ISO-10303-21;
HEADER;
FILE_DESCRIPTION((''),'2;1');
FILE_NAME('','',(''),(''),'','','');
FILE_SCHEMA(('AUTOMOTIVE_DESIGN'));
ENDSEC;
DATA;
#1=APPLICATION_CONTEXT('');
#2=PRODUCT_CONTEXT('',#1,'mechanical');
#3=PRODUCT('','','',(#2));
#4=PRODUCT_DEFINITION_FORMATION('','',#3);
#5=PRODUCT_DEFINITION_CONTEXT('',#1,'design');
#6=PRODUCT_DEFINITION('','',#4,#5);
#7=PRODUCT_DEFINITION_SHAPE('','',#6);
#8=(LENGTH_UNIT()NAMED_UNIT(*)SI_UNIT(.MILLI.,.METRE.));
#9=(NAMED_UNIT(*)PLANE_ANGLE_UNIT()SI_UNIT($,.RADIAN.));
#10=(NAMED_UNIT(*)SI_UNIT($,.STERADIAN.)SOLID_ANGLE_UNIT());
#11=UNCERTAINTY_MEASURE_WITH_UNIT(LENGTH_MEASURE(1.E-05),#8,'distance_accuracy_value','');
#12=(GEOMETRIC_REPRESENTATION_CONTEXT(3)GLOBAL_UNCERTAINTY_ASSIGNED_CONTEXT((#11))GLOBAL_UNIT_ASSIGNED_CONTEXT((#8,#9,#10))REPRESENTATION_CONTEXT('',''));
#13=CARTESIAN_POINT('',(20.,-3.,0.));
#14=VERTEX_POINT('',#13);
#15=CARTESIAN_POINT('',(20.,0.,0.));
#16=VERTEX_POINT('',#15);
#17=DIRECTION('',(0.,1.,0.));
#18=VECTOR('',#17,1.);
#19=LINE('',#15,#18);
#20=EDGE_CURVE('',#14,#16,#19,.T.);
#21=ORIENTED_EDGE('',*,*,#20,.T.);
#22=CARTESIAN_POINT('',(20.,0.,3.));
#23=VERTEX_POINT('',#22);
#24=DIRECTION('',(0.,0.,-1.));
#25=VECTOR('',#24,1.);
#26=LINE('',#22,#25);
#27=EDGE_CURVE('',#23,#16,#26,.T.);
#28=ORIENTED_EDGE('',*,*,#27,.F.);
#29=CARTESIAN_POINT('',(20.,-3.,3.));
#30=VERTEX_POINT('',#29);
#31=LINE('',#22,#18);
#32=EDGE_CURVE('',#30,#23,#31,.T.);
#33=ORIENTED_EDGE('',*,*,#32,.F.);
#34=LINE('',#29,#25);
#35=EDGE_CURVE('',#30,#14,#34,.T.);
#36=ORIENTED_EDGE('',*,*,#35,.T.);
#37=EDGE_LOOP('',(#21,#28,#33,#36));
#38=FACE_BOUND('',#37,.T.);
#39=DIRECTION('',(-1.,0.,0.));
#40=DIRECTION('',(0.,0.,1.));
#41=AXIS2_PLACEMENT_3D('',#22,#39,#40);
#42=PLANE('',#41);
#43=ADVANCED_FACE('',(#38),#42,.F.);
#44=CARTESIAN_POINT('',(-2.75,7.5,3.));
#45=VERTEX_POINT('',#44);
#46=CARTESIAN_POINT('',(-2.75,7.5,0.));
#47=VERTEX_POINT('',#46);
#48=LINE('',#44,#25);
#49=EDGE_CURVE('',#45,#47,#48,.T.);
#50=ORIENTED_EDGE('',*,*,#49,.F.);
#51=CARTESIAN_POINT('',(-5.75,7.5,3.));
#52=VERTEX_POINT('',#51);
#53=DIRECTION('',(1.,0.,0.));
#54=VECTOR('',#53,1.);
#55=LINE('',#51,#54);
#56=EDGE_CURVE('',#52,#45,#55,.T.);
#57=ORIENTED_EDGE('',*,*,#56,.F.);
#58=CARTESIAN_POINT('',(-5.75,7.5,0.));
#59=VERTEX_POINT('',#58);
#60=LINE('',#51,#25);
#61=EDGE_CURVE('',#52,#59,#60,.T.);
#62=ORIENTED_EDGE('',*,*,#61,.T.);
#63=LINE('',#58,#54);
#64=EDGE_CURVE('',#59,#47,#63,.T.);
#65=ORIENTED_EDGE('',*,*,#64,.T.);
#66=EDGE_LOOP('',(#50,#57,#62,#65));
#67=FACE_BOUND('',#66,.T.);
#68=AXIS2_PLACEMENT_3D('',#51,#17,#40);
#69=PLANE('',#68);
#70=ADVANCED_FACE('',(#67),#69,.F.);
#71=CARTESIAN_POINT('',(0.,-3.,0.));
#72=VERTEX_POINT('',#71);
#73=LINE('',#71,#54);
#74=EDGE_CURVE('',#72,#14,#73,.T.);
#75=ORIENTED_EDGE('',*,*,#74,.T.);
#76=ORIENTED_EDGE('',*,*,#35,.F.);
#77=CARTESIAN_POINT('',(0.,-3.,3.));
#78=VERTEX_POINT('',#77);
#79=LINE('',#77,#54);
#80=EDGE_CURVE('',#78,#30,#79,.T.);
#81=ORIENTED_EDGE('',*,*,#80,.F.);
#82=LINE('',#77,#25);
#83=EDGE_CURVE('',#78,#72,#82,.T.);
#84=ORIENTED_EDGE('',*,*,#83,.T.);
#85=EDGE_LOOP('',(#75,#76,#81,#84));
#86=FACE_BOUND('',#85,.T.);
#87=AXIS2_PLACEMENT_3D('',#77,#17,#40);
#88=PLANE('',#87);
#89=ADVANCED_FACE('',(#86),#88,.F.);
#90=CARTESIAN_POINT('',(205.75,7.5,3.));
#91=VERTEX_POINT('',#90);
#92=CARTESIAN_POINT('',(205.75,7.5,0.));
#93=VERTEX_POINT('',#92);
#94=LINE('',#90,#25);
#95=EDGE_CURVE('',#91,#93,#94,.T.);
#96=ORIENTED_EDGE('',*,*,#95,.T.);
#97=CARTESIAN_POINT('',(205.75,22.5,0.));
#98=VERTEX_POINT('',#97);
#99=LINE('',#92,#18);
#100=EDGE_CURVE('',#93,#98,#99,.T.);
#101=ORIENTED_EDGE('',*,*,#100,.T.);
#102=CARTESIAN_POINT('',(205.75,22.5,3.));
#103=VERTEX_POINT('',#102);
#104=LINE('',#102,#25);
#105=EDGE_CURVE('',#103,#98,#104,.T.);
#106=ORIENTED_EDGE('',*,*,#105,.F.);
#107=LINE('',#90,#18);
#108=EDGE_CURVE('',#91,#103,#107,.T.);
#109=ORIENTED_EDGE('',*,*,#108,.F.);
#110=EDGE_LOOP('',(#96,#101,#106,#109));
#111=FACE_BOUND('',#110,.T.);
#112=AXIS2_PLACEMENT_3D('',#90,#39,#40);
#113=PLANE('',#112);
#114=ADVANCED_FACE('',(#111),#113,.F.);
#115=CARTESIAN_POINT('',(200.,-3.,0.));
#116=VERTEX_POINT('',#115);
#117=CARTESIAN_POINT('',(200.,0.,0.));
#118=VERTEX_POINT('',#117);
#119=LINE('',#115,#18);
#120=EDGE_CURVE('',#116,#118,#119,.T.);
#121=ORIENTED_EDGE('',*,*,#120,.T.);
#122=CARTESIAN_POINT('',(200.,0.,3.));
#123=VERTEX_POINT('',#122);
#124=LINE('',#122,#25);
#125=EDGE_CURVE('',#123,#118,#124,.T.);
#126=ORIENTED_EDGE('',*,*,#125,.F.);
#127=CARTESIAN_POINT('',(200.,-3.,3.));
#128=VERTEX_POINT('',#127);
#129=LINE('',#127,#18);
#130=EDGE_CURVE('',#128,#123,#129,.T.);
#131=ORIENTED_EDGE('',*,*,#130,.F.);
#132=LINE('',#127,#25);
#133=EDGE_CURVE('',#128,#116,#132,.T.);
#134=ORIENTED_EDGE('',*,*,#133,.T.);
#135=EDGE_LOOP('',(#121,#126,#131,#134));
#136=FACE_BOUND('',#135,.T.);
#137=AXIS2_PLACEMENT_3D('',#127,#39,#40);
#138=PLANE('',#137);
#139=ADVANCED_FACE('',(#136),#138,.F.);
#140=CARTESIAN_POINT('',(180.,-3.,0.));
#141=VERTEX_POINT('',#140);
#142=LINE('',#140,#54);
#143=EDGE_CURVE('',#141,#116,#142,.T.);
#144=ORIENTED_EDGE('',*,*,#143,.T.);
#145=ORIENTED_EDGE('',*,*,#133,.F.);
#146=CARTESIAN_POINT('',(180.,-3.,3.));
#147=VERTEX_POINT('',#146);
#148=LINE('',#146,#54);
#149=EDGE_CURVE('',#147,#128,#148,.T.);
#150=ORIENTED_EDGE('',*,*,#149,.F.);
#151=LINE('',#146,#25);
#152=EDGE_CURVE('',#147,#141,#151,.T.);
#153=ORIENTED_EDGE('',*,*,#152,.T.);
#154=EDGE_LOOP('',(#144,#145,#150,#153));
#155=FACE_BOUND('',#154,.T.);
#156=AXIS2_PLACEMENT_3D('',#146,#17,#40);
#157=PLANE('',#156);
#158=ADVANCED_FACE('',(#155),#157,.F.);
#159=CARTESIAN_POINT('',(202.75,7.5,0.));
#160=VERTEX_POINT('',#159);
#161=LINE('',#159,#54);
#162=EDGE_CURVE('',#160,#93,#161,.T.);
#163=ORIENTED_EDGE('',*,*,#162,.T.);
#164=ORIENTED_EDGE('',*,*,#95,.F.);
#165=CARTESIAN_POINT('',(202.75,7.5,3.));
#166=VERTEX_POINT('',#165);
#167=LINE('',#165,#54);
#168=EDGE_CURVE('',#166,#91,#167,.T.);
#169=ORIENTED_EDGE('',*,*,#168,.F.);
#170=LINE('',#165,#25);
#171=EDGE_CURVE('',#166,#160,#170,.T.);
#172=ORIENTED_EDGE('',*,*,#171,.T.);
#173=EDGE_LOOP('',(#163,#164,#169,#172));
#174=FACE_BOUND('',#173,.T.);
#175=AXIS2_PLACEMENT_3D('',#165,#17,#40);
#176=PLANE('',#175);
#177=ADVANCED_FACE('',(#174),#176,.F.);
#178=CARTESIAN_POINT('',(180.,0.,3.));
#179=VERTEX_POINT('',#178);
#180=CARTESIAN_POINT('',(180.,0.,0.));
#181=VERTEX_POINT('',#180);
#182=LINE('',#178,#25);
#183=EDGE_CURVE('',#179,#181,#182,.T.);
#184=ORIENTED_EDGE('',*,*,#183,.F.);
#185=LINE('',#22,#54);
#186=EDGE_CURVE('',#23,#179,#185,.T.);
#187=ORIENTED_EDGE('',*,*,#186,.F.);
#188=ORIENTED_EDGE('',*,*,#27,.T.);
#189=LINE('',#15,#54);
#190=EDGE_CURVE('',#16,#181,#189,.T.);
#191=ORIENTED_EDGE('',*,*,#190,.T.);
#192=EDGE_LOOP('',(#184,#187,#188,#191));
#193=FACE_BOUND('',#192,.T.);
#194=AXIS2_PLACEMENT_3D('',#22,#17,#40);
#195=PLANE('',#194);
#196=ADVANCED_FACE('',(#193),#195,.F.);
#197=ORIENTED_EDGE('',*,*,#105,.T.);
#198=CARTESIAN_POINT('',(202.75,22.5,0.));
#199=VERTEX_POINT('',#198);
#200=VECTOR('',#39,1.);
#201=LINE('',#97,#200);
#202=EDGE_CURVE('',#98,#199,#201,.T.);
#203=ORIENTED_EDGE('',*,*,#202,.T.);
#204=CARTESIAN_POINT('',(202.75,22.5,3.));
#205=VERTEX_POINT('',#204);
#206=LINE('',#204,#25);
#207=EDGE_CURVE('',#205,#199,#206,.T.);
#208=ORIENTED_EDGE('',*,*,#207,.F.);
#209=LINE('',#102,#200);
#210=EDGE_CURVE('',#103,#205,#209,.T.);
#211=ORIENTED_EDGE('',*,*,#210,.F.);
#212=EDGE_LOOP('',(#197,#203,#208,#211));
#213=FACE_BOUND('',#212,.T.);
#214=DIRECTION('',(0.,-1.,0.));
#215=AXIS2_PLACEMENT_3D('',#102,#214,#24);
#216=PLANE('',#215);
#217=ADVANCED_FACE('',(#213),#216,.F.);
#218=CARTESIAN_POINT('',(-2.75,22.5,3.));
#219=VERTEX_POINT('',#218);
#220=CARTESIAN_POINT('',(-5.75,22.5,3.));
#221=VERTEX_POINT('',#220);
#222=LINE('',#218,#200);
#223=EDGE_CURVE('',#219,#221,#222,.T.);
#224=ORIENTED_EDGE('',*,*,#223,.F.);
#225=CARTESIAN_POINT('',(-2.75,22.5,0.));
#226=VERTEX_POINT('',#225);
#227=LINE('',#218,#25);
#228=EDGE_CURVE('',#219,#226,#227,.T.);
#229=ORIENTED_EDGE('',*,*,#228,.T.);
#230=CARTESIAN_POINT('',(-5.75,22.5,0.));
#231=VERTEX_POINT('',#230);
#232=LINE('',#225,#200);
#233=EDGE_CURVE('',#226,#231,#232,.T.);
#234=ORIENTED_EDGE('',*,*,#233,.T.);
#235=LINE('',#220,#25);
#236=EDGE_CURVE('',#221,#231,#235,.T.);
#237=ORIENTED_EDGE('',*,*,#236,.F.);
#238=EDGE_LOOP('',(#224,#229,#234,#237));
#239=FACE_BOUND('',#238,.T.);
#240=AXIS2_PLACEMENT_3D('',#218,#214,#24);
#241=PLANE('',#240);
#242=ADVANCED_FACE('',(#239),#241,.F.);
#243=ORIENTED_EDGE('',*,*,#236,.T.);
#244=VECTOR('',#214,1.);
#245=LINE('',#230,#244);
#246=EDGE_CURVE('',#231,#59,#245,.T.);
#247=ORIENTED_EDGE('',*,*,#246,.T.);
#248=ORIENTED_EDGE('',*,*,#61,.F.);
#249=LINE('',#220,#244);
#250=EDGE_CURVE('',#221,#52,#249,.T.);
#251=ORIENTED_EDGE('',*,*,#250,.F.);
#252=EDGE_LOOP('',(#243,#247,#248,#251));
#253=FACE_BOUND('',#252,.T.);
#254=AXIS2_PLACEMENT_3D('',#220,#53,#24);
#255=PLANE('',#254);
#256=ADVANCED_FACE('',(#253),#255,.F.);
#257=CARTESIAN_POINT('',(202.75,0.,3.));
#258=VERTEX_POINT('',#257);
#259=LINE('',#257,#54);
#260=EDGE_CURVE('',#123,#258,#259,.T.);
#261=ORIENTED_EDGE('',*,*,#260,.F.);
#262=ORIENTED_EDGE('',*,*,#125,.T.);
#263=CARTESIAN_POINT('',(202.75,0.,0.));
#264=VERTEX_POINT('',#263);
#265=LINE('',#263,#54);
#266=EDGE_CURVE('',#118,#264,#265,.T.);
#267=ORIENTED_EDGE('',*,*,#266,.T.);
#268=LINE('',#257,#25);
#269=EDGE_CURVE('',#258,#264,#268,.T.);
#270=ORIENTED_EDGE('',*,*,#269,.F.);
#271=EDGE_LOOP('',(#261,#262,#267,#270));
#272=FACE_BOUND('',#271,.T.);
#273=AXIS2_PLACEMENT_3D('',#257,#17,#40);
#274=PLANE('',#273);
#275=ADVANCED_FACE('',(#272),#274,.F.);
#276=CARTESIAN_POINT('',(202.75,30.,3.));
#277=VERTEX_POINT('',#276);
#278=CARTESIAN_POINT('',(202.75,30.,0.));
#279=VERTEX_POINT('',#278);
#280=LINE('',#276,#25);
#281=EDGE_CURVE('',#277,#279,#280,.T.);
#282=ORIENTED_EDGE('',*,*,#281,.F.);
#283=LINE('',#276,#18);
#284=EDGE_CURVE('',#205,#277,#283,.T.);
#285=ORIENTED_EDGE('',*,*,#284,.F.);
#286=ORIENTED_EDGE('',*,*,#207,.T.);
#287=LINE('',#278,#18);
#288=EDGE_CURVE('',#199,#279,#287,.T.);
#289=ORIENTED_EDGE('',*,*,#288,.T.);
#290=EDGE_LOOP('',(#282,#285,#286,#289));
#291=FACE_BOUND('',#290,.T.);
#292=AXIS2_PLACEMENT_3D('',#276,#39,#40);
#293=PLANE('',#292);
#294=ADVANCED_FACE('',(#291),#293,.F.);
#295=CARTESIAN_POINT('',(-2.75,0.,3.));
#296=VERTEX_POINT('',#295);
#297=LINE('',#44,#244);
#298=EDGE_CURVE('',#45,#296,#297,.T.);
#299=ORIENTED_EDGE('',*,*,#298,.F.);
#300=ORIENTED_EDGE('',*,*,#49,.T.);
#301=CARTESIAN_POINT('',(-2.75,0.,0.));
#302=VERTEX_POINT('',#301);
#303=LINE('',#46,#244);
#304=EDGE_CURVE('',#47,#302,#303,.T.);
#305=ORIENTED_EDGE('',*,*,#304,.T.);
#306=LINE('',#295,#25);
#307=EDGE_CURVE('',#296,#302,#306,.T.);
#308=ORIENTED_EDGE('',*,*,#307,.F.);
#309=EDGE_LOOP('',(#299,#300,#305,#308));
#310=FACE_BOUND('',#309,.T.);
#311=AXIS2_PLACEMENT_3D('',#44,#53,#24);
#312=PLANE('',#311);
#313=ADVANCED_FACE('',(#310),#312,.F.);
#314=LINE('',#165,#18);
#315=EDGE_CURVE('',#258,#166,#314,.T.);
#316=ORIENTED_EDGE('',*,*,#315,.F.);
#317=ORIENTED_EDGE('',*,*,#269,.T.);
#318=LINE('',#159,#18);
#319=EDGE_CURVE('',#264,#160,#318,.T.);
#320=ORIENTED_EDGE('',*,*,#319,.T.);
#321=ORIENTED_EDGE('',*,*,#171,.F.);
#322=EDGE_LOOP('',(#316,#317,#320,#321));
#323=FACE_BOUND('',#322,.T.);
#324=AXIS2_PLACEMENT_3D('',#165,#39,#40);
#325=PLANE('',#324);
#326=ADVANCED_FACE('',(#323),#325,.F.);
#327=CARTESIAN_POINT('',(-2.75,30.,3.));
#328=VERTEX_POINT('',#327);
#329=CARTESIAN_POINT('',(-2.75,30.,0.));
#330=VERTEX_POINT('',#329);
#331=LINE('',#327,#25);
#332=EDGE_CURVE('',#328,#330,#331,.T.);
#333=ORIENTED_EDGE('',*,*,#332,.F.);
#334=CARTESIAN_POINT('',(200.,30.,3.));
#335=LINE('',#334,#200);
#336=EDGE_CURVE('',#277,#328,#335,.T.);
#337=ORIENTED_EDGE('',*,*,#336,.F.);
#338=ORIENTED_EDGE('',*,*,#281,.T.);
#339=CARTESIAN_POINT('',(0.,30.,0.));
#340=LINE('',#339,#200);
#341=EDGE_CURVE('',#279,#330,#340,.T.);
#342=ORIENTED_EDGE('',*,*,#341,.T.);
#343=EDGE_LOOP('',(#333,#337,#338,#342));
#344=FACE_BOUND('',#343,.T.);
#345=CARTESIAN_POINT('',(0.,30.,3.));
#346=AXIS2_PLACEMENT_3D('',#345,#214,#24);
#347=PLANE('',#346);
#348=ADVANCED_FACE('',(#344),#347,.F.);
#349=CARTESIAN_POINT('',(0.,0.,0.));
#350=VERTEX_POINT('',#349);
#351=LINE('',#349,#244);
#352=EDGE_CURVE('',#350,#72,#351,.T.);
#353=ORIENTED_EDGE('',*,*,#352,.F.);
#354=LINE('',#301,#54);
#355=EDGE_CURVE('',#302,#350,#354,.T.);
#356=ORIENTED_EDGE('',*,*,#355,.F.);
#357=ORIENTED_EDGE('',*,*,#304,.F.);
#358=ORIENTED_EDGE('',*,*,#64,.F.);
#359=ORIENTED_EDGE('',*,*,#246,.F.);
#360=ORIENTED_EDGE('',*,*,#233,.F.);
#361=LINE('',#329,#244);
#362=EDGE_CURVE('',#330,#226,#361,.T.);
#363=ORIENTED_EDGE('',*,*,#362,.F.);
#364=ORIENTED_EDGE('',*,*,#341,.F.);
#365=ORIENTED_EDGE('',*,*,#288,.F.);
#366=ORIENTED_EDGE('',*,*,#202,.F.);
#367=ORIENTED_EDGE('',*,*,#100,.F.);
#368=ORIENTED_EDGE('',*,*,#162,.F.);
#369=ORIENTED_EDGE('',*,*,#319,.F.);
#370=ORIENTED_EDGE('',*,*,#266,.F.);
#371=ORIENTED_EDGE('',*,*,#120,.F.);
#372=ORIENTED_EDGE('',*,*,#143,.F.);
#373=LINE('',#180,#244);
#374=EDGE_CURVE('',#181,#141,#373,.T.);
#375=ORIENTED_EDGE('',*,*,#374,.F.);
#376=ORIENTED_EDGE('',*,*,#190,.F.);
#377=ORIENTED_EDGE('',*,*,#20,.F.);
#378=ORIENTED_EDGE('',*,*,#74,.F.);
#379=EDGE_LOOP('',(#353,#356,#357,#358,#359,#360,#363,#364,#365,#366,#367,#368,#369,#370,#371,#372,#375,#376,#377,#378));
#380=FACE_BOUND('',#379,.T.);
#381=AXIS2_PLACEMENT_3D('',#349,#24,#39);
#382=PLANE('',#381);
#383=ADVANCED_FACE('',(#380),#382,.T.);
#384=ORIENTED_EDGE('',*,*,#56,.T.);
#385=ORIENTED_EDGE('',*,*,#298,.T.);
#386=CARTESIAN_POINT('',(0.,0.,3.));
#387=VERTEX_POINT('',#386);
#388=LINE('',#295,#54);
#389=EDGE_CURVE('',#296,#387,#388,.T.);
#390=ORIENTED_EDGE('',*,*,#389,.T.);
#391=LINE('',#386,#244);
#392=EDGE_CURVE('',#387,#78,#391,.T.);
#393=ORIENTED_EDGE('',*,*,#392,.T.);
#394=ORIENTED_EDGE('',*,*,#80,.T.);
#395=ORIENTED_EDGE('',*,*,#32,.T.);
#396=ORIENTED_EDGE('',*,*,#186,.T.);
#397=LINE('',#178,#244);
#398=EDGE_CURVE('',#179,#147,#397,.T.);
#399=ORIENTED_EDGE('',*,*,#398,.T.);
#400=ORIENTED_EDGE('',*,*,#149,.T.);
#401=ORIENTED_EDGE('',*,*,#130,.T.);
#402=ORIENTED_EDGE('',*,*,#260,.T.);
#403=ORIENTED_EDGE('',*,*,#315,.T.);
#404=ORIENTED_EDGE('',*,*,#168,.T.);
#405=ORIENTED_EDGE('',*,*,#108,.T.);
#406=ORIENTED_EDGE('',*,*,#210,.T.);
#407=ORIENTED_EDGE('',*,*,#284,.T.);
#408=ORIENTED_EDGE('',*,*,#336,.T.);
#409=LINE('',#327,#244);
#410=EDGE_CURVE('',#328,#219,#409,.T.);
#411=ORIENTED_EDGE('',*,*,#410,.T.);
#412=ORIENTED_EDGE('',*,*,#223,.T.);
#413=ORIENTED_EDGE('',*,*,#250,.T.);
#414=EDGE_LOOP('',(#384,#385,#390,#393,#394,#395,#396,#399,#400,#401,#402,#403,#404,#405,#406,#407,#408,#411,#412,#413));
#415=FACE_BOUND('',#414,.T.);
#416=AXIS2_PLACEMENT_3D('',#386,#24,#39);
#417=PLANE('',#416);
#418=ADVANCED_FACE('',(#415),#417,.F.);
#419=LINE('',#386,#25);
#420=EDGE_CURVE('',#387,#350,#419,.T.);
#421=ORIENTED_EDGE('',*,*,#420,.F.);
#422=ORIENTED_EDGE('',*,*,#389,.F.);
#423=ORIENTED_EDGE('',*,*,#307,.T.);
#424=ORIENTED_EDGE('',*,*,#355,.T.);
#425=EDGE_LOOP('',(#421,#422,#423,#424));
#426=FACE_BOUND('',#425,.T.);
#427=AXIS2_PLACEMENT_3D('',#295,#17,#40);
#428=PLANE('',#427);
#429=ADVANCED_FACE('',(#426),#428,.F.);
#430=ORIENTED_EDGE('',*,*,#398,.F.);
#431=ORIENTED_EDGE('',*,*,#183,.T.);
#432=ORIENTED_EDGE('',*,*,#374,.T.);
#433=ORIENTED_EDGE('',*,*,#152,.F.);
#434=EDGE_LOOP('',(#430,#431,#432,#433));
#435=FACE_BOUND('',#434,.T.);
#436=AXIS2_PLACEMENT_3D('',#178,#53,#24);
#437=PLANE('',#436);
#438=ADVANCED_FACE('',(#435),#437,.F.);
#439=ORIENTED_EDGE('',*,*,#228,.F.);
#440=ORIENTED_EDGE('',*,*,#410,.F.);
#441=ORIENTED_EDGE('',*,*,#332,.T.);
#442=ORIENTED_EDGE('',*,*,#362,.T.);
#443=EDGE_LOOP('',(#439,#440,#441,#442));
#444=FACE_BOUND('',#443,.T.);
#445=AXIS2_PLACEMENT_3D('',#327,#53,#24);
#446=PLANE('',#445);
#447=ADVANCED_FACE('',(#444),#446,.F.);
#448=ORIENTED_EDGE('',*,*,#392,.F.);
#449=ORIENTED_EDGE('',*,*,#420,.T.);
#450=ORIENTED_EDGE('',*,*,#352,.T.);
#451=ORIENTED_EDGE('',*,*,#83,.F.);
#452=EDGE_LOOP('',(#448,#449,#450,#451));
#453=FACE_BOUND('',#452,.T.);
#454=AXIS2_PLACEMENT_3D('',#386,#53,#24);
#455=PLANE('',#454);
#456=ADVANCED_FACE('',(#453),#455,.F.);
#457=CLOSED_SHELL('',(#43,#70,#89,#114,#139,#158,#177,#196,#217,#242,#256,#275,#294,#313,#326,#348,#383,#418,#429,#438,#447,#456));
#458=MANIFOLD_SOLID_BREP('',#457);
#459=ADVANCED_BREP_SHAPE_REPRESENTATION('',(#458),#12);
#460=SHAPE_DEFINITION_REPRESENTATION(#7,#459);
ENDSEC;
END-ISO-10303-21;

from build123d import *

# Parameters (mm, degrees)
EXTRUDE_1_DEPTH = 3


with BuildPart() as part:
    # 草图1 → 凸台-拉伸1 (new body)
    with BuildSketch(Plane.XY):
        Polygon((20, 0), (180, 0), (180, -3), (200, -3), (200, 0), (202.75, 0), (202.75, 7.5), (205.75, 7.5), (205.75, 22.5), (202.75, 22.5), (202.75, 30), (200, 30), (0, 30), (-2.75, 30), (-2.75, 22.5), (-5.75, 22.5), (-5.75, 7.5), (-2.75, 7.5), (-2.75, 0), (0, 0), (0, -3), (20, -3), align=None)
    extrude(amount=EXTRUDE_1_DEPTH)


solid = part.part
